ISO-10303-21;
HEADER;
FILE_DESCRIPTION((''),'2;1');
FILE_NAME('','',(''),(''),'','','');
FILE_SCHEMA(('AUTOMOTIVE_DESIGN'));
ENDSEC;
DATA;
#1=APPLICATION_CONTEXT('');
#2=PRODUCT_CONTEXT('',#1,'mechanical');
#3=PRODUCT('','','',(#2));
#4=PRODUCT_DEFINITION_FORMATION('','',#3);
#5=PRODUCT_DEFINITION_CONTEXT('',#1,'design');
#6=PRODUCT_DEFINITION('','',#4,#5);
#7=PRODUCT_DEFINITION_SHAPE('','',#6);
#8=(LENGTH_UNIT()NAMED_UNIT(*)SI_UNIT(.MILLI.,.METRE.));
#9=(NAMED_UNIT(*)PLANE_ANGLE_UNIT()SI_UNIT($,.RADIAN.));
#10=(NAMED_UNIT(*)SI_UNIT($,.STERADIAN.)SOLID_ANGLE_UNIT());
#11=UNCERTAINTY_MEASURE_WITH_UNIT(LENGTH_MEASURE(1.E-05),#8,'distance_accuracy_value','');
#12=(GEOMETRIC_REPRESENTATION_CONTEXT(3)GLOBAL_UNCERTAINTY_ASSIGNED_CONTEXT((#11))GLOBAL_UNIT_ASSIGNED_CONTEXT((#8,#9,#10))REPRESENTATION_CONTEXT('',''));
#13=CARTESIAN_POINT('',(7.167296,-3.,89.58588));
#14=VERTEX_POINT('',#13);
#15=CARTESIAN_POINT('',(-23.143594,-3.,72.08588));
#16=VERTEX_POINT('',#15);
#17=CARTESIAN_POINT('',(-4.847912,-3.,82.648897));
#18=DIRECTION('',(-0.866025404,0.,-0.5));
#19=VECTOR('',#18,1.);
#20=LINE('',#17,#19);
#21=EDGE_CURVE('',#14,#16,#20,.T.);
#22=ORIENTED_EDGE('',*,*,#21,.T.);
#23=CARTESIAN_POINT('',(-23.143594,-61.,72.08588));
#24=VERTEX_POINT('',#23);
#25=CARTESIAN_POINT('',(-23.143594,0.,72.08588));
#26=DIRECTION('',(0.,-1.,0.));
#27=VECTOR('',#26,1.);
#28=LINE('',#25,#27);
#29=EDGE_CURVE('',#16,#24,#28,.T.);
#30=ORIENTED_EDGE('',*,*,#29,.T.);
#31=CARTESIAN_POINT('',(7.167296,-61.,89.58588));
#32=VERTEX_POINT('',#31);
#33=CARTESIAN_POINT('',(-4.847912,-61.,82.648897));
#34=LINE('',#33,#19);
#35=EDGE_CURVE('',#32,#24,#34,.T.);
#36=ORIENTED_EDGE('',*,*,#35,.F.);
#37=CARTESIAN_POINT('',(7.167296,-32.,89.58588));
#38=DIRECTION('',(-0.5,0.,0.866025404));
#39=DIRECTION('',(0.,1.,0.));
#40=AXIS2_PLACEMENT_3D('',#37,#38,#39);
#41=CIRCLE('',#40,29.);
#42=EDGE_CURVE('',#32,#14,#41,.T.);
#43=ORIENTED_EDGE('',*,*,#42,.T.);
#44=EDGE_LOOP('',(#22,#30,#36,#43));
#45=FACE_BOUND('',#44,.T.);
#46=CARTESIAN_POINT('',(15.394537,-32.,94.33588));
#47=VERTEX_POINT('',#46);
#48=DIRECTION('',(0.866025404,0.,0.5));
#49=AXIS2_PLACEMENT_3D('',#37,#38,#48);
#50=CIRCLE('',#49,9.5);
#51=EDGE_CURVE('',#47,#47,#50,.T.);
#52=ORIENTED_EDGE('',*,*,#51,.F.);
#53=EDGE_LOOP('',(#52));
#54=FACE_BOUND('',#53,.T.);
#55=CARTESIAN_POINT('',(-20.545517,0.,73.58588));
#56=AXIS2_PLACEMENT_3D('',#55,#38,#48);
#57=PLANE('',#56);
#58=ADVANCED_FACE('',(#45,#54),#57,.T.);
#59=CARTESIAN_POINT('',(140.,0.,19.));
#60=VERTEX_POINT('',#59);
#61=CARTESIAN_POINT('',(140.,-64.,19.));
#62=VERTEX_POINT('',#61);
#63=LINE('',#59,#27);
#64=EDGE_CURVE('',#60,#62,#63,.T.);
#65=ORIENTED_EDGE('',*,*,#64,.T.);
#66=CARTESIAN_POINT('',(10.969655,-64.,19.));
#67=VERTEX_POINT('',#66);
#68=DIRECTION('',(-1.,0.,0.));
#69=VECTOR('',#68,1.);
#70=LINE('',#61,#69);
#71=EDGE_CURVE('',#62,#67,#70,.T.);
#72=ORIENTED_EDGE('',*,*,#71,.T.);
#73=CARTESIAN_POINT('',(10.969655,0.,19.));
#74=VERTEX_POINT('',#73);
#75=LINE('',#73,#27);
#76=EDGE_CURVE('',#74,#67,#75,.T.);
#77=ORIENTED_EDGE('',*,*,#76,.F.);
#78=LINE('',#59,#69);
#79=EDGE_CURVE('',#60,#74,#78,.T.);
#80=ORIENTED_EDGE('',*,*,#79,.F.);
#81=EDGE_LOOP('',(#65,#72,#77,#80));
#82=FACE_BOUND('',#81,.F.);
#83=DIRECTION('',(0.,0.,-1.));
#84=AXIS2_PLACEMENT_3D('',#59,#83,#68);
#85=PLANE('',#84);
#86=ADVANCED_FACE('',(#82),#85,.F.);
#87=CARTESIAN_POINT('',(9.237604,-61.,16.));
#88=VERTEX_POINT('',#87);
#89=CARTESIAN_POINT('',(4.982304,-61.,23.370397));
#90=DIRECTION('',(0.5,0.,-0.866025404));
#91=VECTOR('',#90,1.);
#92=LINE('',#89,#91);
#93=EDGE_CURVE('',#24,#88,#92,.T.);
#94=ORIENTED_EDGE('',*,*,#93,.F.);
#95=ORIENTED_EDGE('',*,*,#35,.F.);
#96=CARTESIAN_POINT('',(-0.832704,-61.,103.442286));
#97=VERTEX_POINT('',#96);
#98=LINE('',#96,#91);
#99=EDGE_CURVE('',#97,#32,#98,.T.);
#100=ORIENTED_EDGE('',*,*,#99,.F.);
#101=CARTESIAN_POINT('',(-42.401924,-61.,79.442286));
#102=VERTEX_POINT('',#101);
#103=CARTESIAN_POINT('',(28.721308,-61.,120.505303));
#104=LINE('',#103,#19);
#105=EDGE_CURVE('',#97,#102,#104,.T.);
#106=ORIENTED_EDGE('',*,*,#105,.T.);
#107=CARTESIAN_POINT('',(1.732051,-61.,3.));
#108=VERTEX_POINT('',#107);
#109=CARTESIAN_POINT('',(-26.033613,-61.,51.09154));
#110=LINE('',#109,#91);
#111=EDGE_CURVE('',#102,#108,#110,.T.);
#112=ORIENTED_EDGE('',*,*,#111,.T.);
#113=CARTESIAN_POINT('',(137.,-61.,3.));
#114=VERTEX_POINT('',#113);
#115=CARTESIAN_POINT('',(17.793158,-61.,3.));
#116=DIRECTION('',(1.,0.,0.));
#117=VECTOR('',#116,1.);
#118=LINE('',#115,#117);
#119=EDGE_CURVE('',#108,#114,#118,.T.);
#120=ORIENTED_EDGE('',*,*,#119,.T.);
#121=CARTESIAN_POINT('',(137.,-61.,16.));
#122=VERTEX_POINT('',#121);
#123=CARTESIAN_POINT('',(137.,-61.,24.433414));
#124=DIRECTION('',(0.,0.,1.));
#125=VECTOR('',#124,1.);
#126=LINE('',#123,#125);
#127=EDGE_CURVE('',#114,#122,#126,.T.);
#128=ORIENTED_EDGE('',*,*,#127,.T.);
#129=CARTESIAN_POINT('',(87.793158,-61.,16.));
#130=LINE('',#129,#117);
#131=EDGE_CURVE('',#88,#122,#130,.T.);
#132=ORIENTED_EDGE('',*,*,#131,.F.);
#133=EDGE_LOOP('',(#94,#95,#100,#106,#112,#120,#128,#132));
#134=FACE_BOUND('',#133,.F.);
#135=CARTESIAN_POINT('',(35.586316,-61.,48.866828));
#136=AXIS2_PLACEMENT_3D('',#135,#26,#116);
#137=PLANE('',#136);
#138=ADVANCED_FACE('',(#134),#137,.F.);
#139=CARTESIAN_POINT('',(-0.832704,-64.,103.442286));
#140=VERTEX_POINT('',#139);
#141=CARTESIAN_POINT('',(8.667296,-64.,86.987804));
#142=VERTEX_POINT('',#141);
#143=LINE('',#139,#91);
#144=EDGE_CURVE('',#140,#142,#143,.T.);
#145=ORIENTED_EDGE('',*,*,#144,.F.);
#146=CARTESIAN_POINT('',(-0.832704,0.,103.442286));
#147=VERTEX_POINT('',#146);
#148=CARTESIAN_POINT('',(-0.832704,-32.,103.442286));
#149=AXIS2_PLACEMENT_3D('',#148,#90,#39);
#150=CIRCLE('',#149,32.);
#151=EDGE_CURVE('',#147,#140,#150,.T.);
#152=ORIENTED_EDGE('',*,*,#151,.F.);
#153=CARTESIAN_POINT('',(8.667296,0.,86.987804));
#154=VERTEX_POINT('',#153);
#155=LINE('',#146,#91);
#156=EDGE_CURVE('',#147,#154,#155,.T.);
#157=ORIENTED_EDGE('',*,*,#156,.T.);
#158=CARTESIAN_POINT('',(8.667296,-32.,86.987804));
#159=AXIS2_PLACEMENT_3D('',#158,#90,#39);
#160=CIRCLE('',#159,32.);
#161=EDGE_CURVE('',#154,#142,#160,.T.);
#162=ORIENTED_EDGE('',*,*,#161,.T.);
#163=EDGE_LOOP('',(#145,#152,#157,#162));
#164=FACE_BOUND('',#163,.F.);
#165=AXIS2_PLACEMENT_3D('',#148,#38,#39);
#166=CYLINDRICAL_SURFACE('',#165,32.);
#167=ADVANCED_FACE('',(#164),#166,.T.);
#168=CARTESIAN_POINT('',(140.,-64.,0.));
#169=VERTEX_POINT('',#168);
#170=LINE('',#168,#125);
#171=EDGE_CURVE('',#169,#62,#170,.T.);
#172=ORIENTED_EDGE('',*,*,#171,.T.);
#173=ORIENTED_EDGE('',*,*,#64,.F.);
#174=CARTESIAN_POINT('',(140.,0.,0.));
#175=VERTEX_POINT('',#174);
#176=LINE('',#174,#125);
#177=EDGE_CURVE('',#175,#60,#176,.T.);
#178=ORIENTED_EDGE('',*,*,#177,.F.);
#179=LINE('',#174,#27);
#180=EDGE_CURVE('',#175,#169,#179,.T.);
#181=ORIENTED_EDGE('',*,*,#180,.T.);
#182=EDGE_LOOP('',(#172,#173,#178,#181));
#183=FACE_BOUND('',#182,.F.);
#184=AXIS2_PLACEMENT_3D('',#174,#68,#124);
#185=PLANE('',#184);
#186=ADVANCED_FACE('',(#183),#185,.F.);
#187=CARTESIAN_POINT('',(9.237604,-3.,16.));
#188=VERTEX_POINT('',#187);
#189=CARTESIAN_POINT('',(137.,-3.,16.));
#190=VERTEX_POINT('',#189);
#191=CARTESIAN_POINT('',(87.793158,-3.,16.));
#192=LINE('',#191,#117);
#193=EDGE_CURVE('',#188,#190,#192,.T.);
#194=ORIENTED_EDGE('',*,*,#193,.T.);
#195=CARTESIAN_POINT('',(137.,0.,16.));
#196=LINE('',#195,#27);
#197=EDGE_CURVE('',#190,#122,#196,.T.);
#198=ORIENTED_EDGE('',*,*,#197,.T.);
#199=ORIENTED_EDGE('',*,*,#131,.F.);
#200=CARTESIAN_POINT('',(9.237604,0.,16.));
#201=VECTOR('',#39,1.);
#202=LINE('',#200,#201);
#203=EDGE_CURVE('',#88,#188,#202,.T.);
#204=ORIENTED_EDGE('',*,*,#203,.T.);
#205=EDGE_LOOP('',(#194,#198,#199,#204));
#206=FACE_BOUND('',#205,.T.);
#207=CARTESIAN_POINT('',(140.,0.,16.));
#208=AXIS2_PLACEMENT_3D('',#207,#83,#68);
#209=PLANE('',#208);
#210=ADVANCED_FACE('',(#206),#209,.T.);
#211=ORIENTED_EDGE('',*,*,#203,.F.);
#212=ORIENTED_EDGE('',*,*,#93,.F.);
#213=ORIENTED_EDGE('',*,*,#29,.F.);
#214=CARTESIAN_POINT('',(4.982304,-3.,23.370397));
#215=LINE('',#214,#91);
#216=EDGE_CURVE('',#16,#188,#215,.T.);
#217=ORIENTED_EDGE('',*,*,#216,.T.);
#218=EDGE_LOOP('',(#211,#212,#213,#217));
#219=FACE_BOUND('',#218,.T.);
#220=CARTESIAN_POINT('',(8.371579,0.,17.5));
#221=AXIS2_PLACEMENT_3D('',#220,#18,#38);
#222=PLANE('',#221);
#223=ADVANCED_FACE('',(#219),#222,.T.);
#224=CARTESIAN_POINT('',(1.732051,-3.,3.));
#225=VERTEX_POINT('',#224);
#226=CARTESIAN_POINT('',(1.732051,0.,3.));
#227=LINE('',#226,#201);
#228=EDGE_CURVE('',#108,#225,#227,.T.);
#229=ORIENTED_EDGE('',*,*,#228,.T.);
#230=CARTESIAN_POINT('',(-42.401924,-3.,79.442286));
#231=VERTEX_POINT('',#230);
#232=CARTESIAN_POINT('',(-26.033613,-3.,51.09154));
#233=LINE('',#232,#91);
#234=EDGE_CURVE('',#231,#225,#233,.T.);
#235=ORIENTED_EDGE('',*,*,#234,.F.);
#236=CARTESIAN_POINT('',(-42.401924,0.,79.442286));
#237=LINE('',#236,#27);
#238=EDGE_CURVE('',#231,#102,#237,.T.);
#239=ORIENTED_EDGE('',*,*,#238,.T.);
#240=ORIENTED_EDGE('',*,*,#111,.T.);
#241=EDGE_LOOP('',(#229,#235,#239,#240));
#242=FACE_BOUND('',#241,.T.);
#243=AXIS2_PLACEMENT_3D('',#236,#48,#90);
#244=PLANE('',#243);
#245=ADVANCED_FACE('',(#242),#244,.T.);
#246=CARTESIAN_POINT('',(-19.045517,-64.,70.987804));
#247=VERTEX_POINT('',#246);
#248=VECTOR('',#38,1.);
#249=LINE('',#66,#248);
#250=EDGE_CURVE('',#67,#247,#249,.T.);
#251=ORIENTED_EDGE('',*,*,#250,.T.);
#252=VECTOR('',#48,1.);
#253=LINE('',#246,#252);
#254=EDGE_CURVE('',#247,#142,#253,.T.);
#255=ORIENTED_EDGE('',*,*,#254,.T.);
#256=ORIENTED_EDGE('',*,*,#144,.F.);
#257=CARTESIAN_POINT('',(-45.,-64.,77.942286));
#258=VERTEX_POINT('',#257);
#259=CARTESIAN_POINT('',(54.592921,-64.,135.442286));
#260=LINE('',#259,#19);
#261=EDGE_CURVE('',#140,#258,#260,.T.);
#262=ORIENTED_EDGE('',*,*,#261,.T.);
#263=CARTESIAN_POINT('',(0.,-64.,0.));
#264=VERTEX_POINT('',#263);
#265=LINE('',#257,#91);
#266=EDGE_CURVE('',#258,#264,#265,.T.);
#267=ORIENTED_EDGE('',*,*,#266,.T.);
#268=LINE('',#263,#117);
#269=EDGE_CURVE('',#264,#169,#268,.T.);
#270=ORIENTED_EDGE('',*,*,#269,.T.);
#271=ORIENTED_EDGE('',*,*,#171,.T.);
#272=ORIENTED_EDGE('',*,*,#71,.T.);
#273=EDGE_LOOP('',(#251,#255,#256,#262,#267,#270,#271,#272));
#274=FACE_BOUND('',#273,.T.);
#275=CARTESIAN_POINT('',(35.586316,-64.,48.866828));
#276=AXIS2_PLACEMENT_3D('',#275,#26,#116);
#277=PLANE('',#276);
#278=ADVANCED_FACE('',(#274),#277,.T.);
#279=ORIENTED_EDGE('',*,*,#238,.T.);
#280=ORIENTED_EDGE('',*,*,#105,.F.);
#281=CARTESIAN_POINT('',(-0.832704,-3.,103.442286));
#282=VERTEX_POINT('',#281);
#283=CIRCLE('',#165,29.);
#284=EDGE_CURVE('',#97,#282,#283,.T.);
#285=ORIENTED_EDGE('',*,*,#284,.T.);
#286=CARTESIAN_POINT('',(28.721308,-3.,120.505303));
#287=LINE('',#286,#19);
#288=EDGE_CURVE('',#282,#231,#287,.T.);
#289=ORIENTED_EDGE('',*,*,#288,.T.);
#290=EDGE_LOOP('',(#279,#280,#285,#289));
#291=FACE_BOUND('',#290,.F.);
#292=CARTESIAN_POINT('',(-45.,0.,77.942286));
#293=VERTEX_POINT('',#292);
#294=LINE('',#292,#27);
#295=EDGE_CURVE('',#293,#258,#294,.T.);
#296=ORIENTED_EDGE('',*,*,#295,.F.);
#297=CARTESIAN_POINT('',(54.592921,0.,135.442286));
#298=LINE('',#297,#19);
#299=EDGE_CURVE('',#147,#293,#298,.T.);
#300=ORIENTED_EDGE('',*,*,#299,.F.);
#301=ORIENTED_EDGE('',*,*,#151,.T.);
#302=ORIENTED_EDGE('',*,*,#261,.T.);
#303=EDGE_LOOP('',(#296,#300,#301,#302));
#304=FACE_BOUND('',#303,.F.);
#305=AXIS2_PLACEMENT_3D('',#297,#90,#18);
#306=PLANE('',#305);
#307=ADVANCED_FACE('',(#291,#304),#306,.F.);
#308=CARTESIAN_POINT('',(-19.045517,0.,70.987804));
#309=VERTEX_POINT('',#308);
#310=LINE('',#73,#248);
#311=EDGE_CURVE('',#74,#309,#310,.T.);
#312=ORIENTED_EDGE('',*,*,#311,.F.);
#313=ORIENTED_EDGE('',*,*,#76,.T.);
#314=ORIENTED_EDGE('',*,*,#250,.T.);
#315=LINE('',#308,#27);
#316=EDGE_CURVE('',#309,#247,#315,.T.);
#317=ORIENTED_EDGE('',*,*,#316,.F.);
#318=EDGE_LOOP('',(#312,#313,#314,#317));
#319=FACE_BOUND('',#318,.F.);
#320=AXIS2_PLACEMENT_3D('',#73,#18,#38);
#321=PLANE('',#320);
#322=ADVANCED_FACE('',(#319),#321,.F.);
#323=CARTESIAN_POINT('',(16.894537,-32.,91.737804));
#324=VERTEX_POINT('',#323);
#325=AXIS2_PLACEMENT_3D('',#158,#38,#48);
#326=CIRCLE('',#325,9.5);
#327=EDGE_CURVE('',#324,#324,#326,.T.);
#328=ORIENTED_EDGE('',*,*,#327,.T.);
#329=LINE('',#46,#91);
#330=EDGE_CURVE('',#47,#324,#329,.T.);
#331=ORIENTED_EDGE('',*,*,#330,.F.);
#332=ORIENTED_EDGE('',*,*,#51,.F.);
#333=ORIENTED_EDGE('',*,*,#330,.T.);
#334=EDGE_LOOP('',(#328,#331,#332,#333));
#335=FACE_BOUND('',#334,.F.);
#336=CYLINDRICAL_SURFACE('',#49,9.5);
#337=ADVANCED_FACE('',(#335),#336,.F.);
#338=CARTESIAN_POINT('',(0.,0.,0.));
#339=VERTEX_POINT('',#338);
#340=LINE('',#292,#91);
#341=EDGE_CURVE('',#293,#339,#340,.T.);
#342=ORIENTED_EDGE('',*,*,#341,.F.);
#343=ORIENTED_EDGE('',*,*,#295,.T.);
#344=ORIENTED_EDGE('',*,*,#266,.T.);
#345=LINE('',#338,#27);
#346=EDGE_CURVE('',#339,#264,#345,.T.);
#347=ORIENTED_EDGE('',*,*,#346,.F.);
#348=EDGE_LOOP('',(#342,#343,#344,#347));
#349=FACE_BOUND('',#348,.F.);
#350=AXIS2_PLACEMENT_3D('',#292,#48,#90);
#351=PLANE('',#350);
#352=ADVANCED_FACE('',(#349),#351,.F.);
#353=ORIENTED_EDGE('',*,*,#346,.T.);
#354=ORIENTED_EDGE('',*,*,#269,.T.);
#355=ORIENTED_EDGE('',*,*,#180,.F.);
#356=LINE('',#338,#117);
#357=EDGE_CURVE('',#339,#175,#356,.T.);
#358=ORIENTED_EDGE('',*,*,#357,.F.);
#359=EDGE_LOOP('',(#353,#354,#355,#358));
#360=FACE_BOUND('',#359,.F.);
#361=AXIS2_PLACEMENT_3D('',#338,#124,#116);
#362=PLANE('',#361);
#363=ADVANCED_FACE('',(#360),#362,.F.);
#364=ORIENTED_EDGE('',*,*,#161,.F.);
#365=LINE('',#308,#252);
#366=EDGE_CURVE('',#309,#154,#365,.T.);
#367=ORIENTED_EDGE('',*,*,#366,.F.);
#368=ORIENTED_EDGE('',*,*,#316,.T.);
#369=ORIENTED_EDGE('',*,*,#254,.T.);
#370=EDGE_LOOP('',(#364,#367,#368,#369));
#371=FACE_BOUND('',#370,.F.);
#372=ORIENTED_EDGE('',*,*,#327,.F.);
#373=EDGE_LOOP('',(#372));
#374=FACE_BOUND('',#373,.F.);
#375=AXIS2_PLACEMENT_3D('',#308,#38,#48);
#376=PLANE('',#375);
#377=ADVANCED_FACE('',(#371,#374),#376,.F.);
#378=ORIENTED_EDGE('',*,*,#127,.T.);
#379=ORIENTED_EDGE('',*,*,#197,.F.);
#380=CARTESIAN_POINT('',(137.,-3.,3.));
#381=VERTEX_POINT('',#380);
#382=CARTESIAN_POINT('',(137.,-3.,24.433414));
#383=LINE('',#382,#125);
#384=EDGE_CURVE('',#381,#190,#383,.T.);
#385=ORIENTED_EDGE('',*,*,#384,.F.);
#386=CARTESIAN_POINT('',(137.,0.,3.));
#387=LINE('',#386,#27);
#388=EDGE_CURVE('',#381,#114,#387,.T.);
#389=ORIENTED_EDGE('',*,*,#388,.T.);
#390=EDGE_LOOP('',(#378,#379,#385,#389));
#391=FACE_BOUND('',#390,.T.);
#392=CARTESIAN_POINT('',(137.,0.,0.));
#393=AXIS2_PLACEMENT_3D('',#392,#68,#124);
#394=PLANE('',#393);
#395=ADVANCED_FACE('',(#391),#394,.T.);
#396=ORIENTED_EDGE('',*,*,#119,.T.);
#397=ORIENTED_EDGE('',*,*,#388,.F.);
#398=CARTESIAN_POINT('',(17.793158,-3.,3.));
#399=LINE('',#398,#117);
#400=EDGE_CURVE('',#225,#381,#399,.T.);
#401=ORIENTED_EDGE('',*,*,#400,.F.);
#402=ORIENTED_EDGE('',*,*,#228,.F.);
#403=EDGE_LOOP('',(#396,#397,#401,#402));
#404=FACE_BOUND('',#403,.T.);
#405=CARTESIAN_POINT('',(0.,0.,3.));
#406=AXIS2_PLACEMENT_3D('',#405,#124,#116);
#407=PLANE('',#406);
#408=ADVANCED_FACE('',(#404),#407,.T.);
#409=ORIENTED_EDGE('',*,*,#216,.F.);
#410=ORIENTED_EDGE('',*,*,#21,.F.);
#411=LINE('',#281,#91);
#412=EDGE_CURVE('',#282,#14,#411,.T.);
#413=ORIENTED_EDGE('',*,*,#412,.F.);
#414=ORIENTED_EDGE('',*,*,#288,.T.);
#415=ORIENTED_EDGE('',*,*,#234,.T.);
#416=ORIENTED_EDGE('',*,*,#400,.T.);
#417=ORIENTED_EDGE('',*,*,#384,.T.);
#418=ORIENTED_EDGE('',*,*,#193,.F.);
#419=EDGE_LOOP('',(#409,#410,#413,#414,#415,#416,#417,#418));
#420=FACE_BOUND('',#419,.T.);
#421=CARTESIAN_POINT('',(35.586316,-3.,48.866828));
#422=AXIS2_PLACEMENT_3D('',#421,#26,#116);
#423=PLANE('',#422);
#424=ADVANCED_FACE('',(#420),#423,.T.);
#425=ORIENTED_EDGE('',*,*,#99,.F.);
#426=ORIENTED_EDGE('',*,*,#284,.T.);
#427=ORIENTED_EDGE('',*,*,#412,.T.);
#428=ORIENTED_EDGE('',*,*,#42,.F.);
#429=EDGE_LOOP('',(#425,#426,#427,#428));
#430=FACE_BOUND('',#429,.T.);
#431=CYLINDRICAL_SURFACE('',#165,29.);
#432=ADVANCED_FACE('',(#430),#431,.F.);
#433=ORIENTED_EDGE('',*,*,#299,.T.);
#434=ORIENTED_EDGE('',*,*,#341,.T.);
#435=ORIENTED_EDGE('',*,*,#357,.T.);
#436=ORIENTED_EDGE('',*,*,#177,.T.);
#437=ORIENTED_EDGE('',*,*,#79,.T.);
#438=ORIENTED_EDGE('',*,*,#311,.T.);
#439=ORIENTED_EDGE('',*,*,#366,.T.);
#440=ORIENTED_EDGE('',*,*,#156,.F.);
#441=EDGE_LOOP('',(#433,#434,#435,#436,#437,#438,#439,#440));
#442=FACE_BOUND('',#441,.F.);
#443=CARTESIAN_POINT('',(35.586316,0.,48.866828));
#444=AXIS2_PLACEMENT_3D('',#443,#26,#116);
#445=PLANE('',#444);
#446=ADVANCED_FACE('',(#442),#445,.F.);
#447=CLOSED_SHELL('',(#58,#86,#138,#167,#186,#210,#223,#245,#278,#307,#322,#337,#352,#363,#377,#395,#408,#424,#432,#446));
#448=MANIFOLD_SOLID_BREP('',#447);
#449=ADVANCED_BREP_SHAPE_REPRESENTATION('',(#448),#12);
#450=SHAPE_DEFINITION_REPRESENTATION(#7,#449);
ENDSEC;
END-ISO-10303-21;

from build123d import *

# Parameters (mm, degrees)
F2_DEPTH = 64
F4_DEPTH = 19
F5_T     = -3
F6_R     = 9.5
F7_DEPTH = 3


with BuildPart() as f2:
    # F1 (on Front) → F2 (new body)
    with BuildSketch(Plane.XZ):
        Polygon((0, 0), (140, 0), (140, 19), (10.9696551146, 19), (-19.0455173281, 70.9878036687), (64.0929214352, 118.9878036687), (54.5929214352, 135.4422863406), (-45, 77.9422863406), align=None)
    extrude(amount=F2_DEPTH)

    # F3 (on face) → F4 (cut, through all)
    with BuildSketch(Plane(origin=(-45, 0, 77.9422863406), x_dir=(0.8660254038, 0, 0.5), z_dir=(-0.5, 0, 0.8660254038))):
        with BuildLine():
            ThreePointArc((51, 0), (83, -32), (51, -64))
            Line((51, -64), (115, -64))
            Line((115, -64), (115, 0))
            Line((115, 0), (51, 0))
        make_face()
    extrude(amount=-F4_DEPTH, mode=Mode.SUBTRACT)

    # F5
    f5_openings = [f2.faces().sort_by_distance(p)[0] for p in [
        (-11.74342, -32, 97.142982),
    ]]
    offset(amount=F5_T, openings=f5_openings, kind=Kind.INTERSECTION)

    # F6 (on face) → F7 (cut, through all)
    with BuildSketch(Plane(origin=(-37, 0, 64.08587988), x_dir=(0.8660254038, 0, 0.5), z_dir=(-0.5, 0, 0.8660254038))):
        with Locations((51.0000000002, -32)):
            Circle(F6_R)
    extrude(amount=-F7_DEPTH, mode=Mode.SUBTRACT)


solid = f2.part
